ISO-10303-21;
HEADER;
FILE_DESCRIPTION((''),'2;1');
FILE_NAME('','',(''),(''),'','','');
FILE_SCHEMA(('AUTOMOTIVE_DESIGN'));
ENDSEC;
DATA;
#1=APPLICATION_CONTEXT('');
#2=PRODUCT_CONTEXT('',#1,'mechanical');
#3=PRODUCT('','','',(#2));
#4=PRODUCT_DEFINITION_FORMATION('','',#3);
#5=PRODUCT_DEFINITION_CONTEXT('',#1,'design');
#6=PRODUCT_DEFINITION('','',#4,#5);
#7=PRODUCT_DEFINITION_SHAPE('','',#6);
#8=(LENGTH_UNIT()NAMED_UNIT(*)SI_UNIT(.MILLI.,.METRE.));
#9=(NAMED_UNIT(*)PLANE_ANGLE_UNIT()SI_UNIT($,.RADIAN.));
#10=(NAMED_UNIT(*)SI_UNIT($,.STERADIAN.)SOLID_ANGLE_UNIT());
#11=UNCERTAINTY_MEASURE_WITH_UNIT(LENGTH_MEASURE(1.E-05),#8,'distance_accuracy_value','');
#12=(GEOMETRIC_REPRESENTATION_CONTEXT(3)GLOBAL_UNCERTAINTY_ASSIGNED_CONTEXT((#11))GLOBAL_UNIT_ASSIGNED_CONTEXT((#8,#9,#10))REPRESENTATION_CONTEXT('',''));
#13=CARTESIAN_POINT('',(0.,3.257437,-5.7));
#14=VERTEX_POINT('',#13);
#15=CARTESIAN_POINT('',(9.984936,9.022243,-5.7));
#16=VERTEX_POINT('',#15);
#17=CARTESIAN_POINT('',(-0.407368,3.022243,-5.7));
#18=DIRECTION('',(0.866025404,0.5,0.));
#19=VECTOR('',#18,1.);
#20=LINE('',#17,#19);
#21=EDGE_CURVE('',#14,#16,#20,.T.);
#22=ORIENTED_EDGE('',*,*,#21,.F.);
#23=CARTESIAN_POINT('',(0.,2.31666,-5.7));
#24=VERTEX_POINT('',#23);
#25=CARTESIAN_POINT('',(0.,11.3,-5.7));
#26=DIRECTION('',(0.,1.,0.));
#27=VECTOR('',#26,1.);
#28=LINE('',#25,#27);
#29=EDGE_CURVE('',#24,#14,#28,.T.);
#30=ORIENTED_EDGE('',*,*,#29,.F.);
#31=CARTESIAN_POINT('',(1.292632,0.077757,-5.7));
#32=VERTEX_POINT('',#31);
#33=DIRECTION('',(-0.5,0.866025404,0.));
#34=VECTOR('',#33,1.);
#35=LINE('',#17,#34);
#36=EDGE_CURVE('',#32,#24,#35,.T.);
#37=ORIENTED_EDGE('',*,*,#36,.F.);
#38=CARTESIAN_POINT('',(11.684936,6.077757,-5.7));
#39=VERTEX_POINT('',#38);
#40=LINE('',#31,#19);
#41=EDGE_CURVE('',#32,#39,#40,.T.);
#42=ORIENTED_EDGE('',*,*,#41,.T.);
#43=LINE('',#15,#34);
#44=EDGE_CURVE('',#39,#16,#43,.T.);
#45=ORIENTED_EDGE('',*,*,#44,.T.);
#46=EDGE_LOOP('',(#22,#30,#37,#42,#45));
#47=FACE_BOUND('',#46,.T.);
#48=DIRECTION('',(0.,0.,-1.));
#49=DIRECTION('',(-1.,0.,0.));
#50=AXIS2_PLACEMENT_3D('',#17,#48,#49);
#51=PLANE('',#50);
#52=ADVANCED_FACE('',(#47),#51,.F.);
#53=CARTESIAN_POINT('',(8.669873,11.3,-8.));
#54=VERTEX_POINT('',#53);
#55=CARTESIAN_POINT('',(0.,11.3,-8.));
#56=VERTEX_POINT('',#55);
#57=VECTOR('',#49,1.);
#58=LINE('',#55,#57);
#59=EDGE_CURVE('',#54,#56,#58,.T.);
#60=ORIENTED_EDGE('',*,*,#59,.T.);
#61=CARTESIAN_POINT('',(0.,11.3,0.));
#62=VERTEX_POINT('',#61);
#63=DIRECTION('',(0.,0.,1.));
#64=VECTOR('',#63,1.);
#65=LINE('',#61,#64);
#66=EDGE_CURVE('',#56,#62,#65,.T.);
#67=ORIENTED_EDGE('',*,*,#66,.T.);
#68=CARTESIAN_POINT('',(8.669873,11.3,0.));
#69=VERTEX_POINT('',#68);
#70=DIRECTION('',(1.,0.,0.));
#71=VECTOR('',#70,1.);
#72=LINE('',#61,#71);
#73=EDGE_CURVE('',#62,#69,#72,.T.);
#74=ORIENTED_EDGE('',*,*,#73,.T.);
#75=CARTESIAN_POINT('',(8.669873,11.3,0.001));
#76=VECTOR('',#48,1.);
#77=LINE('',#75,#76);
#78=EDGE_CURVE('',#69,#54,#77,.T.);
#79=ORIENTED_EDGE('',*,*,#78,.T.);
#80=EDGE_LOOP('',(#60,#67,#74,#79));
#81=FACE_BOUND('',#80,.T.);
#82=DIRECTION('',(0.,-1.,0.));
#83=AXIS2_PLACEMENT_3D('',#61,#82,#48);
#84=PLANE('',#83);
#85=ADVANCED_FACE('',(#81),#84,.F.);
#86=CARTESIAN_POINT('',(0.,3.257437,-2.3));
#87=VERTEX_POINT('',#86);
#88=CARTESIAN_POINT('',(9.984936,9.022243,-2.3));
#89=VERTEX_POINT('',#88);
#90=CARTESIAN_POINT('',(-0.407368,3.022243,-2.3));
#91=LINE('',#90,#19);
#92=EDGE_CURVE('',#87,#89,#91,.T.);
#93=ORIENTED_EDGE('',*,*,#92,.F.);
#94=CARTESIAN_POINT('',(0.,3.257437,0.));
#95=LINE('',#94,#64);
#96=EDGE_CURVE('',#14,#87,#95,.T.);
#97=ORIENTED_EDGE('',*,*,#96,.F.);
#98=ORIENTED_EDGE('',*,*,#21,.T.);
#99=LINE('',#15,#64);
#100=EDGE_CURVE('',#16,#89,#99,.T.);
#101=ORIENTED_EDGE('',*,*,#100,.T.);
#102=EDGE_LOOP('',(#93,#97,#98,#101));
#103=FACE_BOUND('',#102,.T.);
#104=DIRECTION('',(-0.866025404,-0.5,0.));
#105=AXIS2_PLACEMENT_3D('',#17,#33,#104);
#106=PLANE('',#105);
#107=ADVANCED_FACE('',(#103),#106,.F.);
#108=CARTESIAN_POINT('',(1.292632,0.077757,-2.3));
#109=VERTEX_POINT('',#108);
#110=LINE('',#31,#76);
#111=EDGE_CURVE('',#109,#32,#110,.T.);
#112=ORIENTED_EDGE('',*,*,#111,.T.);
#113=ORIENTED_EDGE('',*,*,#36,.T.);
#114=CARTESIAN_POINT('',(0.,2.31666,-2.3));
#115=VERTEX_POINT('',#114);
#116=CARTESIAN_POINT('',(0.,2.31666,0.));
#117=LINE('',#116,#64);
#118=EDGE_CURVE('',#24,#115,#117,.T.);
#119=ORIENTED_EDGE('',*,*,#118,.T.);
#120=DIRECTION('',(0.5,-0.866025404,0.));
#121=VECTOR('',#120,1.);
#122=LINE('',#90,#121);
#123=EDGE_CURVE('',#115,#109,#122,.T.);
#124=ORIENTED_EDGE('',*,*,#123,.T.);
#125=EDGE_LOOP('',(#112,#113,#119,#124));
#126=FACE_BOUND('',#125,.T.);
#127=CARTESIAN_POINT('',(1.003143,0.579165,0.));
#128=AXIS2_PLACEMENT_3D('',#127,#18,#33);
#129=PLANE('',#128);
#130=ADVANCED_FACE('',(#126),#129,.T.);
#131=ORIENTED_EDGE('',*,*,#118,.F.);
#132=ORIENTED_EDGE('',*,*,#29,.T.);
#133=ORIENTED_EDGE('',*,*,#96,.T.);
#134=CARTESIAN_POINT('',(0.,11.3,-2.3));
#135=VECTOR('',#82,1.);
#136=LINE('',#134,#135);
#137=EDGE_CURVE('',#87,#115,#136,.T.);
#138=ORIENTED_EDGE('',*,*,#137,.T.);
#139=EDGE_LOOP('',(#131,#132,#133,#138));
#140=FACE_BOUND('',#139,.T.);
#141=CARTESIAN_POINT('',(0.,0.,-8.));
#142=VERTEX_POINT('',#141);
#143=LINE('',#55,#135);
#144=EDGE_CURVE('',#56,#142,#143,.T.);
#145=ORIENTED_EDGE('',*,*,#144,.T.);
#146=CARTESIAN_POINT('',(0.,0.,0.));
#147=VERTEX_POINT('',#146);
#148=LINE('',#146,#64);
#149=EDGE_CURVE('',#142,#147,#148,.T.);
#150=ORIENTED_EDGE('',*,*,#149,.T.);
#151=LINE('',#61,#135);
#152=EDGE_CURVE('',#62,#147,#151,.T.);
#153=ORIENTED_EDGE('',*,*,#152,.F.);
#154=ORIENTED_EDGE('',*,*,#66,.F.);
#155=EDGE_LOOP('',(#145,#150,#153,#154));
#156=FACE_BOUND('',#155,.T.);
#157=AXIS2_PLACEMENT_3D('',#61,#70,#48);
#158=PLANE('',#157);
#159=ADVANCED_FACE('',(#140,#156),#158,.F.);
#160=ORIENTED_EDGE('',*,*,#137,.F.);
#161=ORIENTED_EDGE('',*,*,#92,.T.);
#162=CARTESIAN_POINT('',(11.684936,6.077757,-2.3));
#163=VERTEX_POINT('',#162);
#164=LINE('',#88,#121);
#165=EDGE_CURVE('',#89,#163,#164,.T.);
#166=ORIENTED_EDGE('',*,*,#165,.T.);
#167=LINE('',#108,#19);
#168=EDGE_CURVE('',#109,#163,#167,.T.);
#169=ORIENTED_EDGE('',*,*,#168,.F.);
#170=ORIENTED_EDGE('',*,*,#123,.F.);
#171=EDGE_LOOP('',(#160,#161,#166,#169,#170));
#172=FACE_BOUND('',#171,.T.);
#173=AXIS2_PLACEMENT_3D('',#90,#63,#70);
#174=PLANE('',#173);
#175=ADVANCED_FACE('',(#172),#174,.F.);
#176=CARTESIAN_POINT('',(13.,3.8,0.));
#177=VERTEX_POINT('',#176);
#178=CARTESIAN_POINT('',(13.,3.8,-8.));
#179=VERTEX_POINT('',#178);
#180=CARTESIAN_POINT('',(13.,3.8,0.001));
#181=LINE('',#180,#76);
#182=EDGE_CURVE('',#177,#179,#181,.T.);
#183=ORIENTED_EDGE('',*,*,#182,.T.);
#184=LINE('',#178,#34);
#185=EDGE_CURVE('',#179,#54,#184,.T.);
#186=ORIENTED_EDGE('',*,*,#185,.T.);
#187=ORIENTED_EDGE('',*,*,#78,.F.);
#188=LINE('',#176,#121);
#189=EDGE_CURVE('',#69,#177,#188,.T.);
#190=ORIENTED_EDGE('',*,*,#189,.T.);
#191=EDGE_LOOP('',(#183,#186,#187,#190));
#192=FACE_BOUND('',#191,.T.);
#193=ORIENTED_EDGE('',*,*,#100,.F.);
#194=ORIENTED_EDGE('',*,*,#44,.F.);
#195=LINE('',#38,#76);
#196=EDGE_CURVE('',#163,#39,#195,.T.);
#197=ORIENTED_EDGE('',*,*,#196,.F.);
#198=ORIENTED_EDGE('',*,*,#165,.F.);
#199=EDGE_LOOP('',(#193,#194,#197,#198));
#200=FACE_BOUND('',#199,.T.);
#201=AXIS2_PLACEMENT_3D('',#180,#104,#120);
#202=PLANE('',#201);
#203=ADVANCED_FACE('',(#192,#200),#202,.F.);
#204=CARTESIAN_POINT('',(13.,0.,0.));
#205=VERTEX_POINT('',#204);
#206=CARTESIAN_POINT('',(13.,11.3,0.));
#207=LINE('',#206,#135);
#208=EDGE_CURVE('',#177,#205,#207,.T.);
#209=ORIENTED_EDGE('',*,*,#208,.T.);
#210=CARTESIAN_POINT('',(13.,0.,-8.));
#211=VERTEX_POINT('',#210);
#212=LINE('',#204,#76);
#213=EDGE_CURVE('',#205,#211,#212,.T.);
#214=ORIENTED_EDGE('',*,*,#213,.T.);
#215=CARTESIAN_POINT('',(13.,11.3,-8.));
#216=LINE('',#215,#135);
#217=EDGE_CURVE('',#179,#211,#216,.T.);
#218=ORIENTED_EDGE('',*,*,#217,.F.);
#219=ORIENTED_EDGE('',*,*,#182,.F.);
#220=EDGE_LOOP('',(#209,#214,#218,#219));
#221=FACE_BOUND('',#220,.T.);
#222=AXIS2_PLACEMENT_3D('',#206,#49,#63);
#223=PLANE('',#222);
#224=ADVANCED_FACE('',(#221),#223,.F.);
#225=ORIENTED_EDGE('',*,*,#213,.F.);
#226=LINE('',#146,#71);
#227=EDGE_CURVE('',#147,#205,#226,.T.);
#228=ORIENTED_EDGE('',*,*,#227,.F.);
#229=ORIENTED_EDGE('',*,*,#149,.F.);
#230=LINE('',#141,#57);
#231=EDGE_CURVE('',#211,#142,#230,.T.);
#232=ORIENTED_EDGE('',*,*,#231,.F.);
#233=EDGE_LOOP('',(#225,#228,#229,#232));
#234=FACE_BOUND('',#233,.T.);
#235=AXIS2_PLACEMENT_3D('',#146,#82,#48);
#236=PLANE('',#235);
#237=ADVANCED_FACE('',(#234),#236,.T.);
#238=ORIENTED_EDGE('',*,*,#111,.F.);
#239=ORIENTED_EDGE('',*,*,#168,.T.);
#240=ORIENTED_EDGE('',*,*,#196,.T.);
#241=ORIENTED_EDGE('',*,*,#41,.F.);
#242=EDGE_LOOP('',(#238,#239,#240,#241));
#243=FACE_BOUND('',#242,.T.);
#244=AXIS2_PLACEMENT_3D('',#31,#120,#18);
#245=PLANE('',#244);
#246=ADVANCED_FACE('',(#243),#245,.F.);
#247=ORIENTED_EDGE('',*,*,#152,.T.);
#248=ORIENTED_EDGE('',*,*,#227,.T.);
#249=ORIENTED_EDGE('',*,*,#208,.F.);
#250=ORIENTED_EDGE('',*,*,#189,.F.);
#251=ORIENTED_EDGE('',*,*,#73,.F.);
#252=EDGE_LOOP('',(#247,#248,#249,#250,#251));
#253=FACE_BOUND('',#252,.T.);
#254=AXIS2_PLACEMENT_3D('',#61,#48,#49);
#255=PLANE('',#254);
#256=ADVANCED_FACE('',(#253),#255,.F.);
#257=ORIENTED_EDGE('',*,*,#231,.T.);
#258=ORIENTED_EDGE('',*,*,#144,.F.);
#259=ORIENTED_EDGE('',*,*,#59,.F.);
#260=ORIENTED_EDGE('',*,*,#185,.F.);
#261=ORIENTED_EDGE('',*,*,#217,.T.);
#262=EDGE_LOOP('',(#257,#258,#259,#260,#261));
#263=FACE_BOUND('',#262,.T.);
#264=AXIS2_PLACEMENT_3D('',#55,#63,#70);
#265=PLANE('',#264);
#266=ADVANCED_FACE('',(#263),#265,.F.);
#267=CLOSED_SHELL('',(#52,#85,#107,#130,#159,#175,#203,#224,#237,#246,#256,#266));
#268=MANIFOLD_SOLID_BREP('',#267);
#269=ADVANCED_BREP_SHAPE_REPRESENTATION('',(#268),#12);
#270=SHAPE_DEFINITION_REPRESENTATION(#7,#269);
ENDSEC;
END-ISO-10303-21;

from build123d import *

# Parameters (mm, degrees)
SKETCH_1_W          = 13
SKETCH_1_H          = 8
EXTRUDE_1_DEPTH     = 11.3
CUT_EXTRUDE_1_REACH = 20.992
SKETCH_3_W          = 3.4
SKETCH_3_H          = 3.4
CUT_EXTRUDE_2_DEPTH = 12


with BuildPart() as part:
    # 草图1 → 凸台-拉伸1 (new body)
    with BuildSketch(Plane(origin=(0, 0, 0), x_dir=(1, 0, 0), z_dir=(0, 1, 0))):
        with Locations((6.5, 4)):
            Rectangle(SKETCH_1_W, SKETCH_1_H)
    extrude(amount=EXTRUDE_1_DEPTH)

    # 草图2 → 切除-拉伸1 (cut, up to next)
    with BuildSketch(Plane(origin=(0, 0, -8), x_dir=(-1, 0, 0), z_dir=(0, 0, -1)), mode=Mode.PRIVATE) as cut_extrude_1_sk1:
        Polygon((-13, 3.8), (-8.669872981, 11.3), (-13, 11.3), align=None)
    cut_extrude_1_tool1 = extrude(cut_extrude_1_sk1.sketch, amount=-CUT_EXTRUDE_1_REACH, mode=Mode.PRIVATE) & part.part
    add(cut_extrude_1_tool1.solids().sort_by_distance((11.556624, 8.8, -8))[0], mode=Mode.SUBTRACT)

    # 草图3 → 切除-拉伸2 (cut)
    with BuildSketch(Plane(origin=(11.395448267, 6.579165125, 0), x_dir=(0, 0, -1), z_dir=(0.8660254037844417, 0.4999999999999948, 0))):
        with Locations((4, 1.121023553)):
            Rectangle(SKETCH_3_W, SKETCH_3_H)
    extrude(amount=-CUT_EXTRUDE_2_DEPTH, mode=Mode.SUBTRACT)


solid = part.part
